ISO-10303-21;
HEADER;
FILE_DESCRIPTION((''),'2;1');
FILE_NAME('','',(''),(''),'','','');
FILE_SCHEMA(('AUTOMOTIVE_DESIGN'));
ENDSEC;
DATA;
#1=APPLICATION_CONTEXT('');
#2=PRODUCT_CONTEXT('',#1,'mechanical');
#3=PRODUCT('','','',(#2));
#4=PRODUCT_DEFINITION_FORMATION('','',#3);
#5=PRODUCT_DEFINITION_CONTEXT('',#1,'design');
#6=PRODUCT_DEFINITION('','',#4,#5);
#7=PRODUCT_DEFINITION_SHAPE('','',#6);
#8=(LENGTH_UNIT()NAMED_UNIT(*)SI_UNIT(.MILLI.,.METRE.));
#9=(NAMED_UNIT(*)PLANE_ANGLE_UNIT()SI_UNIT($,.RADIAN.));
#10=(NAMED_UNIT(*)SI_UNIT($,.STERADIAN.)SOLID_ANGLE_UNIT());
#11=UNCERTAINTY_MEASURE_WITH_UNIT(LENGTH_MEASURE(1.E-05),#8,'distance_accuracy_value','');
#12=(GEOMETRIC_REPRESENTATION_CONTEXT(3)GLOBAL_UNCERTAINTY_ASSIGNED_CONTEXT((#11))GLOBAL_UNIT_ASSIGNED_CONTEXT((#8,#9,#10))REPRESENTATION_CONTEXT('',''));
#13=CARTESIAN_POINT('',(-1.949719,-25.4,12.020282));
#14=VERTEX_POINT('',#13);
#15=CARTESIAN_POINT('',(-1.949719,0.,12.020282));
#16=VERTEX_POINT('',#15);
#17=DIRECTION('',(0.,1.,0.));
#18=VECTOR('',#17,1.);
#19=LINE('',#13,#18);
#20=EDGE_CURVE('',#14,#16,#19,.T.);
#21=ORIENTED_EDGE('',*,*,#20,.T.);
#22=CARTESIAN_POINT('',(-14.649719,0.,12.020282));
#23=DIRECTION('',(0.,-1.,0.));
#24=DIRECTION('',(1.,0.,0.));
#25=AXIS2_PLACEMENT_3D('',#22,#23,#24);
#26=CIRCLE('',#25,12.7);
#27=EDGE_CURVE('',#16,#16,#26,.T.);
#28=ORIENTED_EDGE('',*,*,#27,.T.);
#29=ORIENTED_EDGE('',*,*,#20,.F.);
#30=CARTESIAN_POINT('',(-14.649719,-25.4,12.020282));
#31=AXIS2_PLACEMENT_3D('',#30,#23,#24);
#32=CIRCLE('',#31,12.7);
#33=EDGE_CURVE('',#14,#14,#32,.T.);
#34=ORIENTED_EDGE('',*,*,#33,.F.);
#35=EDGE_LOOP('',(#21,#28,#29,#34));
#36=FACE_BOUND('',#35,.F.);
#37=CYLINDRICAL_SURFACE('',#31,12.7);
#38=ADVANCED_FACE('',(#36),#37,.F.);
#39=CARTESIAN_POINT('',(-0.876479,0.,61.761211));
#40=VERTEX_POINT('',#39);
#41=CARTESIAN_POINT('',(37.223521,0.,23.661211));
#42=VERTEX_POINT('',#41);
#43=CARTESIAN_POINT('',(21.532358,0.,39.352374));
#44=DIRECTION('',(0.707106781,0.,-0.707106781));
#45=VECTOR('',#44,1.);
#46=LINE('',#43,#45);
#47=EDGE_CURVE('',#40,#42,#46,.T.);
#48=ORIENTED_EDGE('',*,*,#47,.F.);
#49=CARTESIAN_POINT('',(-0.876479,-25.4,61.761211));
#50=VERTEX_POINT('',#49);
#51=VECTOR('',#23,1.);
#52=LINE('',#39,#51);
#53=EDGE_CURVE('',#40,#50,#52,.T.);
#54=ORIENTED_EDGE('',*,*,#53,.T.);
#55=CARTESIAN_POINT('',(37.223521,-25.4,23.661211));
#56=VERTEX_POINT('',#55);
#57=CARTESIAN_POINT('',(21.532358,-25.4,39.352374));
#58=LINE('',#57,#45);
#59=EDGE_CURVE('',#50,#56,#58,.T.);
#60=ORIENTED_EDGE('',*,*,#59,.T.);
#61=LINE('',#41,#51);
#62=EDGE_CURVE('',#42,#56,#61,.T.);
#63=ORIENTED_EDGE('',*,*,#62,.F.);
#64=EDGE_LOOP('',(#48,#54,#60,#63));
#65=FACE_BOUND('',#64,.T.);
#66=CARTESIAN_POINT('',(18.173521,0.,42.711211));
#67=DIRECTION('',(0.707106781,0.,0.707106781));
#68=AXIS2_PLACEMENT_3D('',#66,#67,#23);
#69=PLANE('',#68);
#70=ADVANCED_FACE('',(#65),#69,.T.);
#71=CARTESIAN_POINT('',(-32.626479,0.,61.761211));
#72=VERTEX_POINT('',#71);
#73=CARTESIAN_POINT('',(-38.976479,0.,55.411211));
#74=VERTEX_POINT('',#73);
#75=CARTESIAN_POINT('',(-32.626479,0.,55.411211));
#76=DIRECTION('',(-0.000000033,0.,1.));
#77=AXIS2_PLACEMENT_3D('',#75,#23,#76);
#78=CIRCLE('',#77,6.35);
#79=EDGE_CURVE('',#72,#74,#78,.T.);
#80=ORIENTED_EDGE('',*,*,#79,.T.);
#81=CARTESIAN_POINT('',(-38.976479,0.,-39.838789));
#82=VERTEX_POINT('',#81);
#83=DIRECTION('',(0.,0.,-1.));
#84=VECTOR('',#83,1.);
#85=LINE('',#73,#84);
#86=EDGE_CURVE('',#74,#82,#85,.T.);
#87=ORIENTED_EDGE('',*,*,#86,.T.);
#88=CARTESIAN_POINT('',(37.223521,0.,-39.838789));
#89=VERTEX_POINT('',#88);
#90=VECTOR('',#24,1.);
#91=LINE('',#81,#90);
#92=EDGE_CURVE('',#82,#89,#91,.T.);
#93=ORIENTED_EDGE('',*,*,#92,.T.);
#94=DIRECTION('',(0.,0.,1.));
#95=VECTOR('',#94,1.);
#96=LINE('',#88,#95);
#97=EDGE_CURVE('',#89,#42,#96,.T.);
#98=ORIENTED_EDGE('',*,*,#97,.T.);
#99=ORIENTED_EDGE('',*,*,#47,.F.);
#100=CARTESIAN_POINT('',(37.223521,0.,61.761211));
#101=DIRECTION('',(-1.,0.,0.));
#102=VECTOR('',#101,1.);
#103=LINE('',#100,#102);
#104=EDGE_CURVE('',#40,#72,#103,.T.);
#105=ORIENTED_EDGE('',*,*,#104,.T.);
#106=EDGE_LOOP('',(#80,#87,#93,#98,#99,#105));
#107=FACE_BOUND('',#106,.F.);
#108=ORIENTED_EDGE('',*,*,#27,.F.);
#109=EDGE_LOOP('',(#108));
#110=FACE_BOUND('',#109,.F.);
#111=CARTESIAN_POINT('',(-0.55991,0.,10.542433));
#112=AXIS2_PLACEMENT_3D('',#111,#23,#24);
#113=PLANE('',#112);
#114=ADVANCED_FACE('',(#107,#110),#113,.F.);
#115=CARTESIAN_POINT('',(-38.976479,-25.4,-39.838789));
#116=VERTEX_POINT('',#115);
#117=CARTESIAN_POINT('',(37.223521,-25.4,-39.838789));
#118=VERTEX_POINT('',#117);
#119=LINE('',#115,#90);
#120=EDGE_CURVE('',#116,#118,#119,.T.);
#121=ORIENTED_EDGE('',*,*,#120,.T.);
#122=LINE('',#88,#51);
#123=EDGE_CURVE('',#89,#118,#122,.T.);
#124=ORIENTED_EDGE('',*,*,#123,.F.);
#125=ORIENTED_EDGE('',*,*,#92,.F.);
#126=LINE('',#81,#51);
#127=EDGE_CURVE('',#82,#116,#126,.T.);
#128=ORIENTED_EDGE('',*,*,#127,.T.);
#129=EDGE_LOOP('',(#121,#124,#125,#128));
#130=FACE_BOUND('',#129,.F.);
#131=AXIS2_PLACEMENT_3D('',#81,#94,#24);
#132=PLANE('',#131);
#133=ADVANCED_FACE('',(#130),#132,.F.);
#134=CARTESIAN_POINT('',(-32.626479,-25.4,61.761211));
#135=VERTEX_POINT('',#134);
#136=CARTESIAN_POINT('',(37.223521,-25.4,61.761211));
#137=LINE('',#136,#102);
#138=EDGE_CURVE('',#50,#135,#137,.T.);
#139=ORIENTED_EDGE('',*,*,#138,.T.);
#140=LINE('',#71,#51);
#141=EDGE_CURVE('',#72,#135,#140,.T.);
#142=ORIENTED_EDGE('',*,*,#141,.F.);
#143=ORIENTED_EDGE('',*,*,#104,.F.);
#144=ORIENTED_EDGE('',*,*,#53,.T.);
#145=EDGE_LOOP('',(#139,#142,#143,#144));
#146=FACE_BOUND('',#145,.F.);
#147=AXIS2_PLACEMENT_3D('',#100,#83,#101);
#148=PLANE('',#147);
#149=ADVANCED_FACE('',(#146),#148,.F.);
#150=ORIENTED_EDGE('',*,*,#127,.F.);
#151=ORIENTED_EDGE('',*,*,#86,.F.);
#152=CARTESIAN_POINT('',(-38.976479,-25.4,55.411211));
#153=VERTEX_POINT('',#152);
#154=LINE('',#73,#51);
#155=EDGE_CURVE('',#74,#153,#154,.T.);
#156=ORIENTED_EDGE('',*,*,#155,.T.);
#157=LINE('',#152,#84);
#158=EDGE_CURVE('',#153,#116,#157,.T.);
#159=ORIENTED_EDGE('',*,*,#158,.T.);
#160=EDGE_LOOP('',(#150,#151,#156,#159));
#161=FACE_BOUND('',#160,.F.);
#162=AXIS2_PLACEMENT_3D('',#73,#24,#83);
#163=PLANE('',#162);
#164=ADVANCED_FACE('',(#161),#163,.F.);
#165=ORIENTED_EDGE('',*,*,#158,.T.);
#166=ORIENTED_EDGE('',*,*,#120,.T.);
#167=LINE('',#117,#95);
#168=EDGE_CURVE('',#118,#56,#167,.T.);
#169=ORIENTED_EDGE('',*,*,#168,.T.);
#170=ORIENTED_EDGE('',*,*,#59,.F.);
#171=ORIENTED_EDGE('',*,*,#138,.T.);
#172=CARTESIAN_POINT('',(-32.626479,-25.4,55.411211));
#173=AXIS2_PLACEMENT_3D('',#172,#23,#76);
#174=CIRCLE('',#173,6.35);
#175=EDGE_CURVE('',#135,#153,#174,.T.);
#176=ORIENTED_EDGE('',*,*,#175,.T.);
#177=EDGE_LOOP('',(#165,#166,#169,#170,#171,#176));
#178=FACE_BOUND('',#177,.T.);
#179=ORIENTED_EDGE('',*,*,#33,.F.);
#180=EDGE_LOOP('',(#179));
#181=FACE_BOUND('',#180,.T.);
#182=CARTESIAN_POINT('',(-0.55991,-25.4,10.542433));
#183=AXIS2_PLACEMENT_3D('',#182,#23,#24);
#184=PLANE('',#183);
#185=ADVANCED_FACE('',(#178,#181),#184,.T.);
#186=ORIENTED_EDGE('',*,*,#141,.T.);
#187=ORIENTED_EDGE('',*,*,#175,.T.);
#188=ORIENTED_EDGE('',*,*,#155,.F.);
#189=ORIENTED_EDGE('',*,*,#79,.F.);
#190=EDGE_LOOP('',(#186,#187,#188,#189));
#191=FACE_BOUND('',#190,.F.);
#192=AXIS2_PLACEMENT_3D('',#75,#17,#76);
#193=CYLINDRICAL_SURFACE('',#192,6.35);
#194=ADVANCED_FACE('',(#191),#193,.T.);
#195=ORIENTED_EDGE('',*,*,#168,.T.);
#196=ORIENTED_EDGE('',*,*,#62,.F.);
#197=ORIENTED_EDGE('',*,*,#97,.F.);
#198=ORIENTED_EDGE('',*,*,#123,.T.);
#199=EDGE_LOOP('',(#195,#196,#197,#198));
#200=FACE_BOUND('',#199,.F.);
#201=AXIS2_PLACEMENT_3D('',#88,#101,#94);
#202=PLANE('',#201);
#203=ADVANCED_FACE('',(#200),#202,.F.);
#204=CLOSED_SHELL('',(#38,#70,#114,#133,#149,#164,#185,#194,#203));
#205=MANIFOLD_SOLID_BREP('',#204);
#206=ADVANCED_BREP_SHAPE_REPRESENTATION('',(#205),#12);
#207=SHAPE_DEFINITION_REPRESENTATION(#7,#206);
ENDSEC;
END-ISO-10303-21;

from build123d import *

# Parameters (mm, degrees)
F1_DEPTH = 25.4
F2_SIZE  = 38.1
F3_R     = 12.7
F4_DEPTH = 86.614


with BuildPart() as f1:
    # F0 (on Front) → F1 (new body)
    with BuildSketch(Plane.XZ):
        with BuildLine():
            Line((37.223521, 61.761211), (-32.626479, 61.761211))
            ThreePointArc((-32.626479, 61.761211), (-37.116607, 59.901339), (-38.976479, 55.411211))
            Line((-38.976479, 55.411211), (-38.976479, -39.838789))
            Line((-38.976479, -39.838789), (37.223521, -39.838789))
            Line((37.223521, -39.838789), (37.223521, 61.761211))
        make_face()
    extrude(amount=F1_DEPTH)

    # F2
    f2_edges = [f1.edges().sort_by_distance(p)[0] for p in [
        (37.223521, -12.7, 61.761211),
    ]]
    chamfer(f2_edges, length=F2_SIZE)

    # F3 (on face) → F4 (cut)
    with BuildSketch(Plane.XZ.offset(25.4)):
        with Locations((-14.649719, 12.020282)):
            Circle(F3_R)
    extrude(amount=-F4_DEPTH, mode=Mode.SUBTRACT)


solid = f1.part
